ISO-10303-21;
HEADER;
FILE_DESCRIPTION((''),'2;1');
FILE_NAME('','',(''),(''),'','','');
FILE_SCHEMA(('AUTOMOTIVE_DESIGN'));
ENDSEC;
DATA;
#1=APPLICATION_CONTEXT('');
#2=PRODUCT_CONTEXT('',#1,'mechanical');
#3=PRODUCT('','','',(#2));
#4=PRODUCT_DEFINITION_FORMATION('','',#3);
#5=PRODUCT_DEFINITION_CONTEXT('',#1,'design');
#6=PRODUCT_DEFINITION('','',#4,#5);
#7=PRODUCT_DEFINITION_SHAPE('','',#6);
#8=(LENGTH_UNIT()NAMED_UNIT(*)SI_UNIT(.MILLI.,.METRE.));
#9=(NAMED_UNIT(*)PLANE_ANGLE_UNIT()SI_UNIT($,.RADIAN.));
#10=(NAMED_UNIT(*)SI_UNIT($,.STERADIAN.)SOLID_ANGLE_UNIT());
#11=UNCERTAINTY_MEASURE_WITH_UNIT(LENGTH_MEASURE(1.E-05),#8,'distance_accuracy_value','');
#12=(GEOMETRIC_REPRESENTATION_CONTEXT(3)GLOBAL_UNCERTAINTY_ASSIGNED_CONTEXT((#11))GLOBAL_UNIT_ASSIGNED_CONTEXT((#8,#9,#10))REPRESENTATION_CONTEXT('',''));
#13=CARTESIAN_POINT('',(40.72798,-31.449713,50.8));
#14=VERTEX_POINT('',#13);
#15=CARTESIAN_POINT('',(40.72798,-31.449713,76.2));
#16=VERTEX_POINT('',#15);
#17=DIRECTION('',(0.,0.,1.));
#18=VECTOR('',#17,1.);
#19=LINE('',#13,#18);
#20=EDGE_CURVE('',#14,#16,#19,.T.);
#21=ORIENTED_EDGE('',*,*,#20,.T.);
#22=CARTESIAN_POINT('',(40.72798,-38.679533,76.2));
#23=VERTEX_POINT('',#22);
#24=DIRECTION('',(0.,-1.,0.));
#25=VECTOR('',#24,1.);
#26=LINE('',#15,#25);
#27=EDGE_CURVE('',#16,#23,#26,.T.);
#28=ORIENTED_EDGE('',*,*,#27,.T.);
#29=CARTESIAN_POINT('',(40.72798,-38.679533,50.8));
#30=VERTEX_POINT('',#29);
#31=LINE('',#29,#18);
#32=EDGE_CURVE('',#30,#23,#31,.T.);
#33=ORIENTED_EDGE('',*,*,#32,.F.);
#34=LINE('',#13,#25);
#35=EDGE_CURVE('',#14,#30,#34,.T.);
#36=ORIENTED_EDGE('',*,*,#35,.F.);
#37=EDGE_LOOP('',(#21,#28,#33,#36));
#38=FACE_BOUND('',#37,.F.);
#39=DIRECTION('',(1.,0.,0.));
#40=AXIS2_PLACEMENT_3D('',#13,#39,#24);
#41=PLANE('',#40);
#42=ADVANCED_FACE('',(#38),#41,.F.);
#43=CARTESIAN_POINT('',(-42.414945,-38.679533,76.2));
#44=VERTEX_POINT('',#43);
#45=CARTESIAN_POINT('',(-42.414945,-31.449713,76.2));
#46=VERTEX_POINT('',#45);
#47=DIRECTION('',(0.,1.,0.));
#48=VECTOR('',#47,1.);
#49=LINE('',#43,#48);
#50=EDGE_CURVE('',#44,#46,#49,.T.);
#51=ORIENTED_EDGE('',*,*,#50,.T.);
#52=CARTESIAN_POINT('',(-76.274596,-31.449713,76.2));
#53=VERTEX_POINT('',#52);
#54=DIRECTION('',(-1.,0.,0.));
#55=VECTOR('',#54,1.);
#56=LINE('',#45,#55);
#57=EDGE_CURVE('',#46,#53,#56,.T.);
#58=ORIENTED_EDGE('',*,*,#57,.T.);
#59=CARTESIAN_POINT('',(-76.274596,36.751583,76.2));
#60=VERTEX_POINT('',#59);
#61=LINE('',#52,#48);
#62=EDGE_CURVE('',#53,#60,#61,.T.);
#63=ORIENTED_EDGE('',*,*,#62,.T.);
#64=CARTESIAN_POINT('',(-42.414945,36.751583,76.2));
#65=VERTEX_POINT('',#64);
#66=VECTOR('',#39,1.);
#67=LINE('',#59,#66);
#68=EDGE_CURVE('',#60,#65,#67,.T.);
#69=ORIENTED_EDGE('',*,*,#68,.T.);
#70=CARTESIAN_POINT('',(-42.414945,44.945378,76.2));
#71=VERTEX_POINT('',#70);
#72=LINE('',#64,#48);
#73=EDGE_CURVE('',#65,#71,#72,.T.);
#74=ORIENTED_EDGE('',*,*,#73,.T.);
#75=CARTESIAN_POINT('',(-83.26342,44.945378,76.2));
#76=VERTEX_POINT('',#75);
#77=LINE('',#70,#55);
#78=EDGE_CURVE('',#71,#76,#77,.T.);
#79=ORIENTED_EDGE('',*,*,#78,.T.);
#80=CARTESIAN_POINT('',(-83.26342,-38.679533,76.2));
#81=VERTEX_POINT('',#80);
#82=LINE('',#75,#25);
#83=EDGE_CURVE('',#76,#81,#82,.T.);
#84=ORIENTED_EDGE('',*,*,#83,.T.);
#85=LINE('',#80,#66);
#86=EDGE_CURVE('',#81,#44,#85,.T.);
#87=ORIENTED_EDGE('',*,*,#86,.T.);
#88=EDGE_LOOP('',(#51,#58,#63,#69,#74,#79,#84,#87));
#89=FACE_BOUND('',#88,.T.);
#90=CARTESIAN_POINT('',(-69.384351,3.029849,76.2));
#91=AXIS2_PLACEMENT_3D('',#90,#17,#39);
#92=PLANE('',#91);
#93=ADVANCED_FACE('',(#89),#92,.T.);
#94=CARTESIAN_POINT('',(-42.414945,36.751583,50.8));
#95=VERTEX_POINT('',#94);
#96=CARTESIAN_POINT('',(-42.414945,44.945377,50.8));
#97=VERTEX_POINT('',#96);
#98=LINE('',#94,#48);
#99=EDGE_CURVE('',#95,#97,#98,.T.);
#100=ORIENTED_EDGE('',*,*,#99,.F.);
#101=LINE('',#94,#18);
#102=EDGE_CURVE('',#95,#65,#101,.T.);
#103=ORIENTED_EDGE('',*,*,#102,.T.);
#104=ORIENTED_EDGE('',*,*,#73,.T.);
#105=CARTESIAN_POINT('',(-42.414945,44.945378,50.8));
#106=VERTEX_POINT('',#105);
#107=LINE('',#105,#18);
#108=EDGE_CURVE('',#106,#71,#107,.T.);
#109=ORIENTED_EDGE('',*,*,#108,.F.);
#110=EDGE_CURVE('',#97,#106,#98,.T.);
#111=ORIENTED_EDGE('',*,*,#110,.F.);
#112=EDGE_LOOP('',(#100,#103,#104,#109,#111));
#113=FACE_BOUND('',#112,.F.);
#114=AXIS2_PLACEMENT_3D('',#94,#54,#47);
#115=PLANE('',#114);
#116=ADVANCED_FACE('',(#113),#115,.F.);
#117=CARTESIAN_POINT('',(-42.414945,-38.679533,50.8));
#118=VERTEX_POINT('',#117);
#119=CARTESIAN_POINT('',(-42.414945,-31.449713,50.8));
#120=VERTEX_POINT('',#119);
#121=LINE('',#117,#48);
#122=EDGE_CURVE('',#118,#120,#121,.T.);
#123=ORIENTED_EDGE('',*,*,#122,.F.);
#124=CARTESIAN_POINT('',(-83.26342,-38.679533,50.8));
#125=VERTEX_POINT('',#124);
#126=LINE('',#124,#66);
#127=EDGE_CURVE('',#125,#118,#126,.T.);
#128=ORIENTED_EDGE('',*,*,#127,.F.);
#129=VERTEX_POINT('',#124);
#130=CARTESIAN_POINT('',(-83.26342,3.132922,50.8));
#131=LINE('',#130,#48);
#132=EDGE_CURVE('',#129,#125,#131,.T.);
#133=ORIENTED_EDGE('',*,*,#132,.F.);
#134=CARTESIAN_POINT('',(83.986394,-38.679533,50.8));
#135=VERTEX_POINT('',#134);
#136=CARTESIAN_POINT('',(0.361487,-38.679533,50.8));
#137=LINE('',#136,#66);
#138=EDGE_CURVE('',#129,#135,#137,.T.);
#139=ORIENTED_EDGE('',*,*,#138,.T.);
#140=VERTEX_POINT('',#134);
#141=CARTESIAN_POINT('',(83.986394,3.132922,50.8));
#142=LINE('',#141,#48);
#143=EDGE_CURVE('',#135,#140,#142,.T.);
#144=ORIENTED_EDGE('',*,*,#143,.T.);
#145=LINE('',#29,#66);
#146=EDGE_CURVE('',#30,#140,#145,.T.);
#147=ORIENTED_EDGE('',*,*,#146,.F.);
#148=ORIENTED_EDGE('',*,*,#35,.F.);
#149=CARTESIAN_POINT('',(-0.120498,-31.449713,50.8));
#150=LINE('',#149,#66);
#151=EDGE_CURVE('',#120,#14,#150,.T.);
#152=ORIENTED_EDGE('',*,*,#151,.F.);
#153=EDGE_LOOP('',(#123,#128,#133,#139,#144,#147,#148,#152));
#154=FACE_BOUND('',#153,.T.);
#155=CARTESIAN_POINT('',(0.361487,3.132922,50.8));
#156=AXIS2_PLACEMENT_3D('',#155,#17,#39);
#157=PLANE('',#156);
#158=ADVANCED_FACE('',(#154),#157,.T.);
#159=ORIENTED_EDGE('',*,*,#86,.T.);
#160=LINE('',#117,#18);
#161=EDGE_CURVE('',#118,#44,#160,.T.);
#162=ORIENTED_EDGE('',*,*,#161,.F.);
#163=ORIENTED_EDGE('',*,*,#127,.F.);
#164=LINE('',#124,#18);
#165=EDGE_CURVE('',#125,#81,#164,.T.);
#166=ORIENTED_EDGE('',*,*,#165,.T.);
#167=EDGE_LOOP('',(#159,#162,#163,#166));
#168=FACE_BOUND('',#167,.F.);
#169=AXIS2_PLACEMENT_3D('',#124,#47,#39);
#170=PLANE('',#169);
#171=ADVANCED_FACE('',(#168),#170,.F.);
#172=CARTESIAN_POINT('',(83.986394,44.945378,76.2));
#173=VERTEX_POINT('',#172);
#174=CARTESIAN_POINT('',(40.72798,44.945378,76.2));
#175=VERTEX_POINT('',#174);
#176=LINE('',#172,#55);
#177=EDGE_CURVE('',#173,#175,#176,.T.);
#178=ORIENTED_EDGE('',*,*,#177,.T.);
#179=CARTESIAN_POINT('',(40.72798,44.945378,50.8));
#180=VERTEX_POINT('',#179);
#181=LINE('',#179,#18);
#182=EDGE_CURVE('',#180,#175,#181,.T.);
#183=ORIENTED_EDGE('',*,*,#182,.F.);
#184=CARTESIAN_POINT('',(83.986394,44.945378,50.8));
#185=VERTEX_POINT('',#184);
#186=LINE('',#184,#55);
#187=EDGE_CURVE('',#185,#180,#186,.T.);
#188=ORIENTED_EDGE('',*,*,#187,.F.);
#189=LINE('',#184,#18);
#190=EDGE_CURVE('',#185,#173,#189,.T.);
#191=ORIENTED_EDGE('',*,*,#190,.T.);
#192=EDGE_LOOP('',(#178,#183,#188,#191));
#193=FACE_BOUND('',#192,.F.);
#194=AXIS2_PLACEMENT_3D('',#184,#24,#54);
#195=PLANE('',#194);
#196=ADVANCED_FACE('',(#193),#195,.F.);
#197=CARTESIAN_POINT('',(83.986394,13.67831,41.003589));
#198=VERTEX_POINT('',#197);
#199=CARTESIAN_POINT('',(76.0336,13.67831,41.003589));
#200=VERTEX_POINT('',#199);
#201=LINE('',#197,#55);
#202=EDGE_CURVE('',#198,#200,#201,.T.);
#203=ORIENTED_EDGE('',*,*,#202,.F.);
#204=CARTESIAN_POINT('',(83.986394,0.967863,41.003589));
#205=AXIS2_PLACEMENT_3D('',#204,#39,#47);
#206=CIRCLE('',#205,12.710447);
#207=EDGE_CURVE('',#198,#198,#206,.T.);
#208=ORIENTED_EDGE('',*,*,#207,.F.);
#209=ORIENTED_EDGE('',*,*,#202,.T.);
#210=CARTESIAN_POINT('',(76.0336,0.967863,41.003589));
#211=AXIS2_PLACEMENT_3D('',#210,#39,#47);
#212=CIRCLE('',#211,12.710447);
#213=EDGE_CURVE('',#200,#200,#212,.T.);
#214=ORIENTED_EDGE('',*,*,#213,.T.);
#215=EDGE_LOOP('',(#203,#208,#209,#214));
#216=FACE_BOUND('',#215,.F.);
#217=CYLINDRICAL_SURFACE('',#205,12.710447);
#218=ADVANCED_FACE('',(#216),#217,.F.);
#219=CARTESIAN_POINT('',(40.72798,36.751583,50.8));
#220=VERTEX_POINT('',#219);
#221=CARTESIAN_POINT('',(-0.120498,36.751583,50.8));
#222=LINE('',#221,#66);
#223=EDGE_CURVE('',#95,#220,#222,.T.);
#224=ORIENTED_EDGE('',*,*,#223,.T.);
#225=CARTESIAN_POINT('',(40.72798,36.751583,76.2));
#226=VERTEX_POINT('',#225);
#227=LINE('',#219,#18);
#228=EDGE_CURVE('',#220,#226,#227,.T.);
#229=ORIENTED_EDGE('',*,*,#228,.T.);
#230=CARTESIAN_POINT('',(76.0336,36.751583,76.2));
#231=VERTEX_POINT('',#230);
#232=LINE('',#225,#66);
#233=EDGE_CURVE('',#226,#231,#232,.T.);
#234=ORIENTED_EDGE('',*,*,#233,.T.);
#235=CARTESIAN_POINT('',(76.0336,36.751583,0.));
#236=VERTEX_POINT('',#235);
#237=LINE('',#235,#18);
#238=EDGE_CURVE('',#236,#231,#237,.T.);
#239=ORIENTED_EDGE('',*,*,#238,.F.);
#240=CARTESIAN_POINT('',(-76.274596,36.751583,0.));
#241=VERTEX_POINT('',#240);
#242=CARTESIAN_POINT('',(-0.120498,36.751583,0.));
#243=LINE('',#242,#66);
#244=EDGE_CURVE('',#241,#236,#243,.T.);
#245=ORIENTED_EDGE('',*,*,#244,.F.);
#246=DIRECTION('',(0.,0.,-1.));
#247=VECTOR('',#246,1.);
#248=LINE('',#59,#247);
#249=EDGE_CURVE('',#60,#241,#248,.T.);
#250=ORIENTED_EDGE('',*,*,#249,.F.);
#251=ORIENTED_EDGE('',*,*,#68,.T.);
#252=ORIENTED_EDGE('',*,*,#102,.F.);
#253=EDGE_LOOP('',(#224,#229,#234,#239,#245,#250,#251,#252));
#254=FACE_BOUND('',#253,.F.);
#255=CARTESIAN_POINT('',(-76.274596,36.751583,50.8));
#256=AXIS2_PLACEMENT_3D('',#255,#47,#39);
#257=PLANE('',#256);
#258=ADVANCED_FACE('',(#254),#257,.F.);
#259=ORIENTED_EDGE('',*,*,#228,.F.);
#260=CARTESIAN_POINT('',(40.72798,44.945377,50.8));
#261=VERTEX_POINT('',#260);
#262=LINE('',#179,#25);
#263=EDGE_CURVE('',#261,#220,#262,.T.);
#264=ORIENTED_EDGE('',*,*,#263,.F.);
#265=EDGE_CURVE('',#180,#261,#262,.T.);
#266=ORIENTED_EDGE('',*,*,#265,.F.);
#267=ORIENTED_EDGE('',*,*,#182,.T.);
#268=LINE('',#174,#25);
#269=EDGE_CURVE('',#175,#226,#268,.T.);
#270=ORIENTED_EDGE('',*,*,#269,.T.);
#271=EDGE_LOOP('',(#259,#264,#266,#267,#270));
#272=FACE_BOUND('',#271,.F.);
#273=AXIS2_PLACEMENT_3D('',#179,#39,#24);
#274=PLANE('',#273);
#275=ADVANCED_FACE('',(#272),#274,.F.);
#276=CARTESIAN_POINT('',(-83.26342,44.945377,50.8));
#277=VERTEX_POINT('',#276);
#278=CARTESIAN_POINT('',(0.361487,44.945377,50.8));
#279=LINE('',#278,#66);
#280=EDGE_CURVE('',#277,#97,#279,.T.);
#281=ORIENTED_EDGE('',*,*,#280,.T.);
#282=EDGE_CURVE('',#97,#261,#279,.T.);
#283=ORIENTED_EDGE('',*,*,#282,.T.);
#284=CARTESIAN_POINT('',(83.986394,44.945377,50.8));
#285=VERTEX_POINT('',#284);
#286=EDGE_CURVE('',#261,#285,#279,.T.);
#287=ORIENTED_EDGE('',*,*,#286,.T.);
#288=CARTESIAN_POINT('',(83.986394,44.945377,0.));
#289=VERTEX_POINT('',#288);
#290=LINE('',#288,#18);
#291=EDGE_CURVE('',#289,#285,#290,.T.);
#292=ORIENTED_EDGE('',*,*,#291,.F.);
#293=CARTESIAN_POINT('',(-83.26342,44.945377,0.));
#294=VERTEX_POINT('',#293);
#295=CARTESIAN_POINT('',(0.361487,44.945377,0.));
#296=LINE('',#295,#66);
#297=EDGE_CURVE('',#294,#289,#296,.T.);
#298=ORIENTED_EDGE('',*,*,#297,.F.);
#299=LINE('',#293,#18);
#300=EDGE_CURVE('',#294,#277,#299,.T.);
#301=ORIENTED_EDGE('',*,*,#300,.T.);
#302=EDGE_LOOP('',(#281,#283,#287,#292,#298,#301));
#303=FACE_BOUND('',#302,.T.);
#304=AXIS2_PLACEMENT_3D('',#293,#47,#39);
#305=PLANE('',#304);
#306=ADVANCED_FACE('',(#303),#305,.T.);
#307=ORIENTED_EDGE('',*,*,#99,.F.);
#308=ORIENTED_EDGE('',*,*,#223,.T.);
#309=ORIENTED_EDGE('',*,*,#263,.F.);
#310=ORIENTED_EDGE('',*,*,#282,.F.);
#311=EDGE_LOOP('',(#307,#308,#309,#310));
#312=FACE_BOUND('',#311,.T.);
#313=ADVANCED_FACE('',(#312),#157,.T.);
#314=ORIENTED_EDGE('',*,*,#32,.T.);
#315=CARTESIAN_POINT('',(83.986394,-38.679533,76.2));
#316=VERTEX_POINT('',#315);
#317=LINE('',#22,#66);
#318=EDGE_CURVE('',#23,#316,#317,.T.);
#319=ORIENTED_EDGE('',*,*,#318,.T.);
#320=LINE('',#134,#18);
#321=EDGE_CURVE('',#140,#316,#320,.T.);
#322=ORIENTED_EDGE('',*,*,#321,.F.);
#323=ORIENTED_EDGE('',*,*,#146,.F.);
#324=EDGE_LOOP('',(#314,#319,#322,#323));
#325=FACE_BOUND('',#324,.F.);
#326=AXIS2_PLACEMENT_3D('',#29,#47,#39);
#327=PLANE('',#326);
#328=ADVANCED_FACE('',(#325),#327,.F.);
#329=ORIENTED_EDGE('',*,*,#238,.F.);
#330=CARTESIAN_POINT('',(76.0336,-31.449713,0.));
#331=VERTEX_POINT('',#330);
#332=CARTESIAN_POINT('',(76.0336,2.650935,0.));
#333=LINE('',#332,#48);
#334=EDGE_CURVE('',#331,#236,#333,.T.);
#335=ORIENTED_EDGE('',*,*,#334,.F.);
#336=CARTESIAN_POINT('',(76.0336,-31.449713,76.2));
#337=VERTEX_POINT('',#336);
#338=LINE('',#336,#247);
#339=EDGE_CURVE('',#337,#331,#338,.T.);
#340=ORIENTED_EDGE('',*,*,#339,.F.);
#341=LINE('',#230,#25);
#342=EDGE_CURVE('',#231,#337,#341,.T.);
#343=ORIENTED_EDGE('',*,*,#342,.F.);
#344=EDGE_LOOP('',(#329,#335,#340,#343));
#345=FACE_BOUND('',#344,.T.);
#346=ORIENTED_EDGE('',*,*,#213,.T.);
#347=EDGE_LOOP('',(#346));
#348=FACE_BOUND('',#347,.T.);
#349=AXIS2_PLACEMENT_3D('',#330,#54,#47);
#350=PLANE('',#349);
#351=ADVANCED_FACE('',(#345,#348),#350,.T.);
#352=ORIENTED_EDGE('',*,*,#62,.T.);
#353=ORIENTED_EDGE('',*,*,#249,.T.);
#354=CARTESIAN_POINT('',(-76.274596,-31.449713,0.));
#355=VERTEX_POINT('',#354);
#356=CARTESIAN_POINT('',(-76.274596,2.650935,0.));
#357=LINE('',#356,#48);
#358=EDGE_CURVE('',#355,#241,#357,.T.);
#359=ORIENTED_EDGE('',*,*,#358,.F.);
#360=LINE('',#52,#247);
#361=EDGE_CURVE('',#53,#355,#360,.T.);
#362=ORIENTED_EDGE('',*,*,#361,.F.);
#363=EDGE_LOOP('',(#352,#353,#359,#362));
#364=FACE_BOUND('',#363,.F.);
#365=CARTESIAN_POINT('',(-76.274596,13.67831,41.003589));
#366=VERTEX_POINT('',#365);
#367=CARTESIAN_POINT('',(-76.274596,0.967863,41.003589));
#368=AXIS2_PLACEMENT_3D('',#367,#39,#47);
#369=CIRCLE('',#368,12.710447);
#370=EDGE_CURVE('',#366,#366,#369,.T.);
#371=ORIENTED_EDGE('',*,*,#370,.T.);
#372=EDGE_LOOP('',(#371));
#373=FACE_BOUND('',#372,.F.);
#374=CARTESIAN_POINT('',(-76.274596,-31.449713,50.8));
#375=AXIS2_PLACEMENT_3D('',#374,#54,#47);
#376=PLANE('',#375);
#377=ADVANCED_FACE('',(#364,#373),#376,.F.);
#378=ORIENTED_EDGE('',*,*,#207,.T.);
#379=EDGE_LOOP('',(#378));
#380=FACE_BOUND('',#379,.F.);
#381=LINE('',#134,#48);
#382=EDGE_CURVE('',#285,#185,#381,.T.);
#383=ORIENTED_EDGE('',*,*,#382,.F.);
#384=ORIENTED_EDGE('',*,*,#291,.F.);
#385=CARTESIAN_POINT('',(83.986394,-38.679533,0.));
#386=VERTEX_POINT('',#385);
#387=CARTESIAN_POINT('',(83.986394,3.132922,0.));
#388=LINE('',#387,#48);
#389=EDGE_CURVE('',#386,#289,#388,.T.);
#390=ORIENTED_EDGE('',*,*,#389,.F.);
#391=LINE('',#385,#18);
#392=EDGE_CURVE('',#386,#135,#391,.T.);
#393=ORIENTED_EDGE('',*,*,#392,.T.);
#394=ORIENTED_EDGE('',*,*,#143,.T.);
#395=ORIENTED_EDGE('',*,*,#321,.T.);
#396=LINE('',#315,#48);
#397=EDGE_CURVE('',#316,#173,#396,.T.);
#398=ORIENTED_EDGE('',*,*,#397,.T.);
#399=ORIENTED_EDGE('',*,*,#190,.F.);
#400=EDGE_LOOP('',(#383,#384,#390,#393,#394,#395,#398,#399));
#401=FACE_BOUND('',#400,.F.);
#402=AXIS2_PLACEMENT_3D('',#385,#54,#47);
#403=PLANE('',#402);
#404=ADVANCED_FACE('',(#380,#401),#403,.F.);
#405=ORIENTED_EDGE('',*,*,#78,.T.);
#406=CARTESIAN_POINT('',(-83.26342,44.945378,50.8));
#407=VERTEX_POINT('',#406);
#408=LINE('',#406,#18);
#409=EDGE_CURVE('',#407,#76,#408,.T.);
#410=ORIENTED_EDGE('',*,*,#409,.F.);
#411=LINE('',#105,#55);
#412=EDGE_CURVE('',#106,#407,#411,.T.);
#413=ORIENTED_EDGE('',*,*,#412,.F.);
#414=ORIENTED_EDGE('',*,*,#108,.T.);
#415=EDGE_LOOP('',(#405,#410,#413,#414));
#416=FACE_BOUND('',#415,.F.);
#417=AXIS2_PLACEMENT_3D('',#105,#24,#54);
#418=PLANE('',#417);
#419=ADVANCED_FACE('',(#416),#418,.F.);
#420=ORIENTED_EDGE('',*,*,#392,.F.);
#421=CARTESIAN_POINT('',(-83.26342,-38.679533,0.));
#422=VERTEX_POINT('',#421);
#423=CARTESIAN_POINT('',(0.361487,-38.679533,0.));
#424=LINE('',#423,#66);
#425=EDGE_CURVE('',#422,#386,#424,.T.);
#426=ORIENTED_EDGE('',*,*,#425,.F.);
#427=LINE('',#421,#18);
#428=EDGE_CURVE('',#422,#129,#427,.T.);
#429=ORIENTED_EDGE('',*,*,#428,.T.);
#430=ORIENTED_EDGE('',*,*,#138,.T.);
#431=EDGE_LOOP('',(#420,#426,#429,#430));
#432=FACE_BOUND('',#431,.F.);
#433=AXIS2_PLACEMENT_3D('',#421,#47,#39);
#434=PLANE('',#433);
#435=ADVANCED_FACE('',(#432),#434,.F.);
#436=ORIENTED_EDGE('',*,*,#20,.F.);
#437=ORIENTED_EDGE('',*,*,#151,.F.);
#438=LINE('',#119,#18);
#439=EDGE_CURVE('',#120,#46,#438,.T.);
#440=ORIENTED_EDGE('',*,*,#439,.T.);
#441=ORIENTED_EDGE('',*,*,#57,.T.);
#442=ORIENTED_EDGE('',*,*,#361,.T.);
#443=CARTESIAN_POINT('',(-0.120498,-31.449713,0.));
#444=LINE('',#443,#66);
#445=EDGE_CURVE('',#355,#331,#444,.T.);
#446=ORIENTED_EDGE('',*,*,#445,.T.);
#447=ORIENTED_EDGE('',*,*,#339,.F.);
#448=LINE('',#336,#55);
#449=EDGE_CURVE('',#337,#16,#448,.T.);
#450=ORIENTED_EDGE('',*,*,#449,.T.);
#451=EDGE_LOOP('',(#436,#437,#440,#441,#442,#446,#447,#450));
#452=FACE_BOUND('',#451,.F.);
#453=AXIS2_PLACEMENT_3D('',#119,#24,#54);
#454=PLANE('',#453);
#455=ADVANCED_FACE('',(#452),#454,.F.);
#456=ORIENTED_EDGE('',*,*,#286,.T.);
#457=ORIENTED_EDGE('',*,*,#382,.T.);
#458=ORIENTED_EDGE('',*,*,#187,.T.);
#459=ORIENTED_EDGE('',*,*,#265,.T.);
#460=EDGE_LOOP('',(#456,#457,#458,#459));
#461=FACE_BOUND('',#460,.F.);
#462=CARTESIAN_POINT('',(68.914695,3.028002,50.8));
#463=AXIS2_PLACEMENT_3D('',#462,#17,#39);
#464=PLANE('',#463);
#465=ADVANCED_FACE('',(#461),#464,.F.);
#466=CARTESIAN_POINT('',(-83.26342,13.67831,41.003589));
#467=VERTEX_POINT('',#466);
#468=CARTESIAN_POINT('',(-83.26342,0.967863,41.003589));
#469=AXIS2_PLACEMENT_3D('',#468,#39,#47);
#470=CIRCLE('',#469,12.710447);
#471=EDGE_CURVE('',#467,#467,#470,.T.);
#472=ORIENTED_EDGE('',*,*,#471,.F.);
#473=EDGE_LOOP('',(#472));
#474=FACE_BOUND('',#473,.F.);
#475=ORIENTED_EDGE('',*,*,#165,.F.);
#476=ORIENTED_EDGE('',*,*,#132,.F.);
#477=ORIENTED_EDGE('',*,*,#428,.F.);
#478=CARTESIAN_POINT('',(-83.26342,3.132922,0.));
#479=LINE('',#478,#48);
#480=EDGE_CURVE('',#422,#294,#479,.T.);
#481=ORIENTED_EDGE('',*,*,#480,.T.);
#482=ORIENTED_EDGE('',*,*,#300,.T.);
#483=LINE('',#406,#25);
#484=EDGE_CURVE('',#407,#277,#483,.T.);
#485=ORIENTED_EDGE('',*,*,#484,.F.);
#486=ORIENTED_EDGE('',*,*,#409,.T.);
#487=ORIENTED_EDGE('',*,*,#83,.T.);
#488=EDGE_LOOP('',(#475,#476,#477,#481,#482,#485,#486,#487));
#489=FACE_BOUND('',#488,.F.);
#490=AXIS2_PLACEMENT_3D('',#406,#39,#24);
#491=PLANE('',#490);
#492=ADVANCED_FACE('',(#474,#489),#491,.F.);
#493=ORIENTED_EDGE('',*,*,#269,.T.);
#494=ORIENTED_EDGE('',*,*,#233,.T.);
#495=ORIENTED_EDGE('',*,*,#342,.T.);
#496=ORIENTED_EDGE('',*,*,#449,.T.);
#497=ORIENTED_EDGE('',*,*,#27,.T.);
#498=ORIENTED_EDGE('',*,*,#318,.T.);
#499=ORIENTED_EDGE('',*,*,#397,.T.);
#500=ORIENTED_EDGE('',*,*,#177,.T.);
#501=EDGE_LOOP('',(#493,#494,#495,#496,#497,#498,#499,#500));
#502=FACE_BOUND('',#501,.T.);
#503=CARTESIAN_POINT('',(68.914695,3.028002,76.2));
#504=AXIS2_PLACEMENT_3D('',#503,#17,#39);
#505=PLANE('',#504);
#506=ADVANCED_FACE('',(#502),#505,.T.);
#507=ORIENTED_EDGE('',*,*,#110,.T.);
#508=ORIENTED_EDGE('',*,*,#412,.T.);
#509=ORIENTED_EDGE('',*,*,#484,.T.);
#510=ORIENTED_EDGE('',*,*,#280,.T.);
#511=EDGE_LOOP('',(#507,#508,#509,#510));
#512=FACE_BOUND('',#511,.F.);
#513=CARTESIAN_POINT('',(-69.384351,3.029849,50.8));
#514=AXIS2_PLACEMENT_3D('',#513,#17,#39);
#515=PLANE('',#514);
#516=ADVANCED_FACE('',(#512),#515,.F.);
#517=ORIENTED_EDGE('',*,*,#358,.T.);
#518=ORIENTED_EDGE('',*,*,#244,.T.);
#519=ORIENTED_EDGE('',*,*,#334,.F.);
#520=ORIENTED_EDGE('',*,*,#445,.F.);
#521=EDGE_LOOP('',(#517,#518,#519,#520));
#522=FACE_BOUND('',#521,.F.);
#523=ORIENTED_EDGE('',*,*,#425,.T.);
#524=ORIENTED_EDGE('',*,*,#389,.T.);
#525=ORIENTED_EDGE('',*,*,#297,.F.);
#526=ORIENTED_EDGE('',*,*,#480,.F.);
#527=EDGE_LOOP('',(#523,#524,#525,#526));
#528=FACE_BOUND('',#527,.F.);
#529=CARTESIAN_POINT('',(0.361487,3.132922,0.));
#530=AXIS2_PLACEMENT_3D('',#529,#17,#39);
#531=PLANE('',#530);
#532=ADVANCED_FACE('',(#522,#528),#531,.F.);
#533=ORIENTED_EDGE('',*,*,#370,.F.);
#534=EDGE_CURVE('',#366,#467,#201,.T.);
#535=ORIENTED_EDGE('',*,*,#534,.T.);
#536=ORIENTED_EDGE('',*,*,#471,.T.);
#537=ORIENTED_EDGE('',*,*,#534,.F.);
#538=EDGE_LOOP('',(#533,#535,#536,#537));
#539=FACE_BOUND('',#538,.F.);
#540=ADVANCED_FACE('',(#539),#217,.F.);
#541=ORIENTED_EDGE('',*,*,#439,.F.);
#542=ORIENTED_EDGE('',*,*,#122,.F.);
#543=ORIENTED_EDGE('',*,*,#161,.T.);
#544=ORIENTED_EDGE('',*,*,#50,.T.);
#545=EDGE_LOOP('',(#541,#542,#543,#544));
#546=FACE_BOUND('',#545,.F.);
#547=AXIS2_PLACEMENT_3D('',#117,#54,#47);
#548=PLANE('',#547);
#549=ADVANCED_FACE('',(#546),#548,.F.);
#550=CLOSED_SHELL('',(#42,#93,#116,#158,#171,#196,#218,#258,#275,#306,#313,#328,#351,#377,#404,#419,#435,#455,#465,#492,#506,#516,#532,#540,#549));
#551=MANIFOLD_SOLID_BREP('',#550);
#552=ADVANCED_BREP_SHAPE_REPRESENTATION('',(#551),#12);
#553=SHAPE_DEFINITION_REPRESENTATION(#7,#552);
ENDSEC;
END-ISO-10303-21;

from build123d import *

# Parameters (mm, degrees)
F0_W     = 167.249814
F0_H     = 83.624911
F0_W_2   = 152.308196
F0_H_2   = 68.201296
F1_DEPTH = 50.8
F3_DEPTH = 25.4
F4_R     = 12.710447
F5_DEPTH = 226.06


with BuildPart() as f1:
    # F0 (on Top) → F1 (new body)
    with BuildSketch(Plane.XY):
        with Locations((0.361487, 3.132922)):
            Rectangle(F0_W, F0_H)
        with Locations((-0.120498, 2.650935)):
            Rectangle(F0_W_2, F0_H_2, mode=Mode.SUBTRACT)
    extrude(amount=F1_DEPTH)

    # F2 (on face) → F3 (join)
    with BuildSketch(Plane.XY.offset(50.8)):
        Polygon((-42.414945, 36.751583), (-42.414945, 44.945378), (-83.26342, 44.945378), (-83.26342, -38.679533), (-42.414945, -38.679533), (-42.414945, -31.449713), (-76.274596, -31.449713), (-76.274596, 36.751583), align=None)
        Polygon((83.986394, 44.945378), (40.72798, 44.945378), (40.72798, 36.751583), (76.0336, 36.751583), (76.0336, -31.449713), (40.72798, -31.449713), (40.72798, -38.679533), (83.986394, -38.679533), align=None)
    extrude(amount=F3_DEPTH)

    # F4 (on face) → F5 (cut)
    with BuildSketch(Plane.YZ.offset(83.986394)):
        with Locations((0.967863, 41.003589)):
            Circle(F4_R)
    extrude(amount=-F5_DEPTH, mode=Mode.SUBTRACT)


solid = f1.part
